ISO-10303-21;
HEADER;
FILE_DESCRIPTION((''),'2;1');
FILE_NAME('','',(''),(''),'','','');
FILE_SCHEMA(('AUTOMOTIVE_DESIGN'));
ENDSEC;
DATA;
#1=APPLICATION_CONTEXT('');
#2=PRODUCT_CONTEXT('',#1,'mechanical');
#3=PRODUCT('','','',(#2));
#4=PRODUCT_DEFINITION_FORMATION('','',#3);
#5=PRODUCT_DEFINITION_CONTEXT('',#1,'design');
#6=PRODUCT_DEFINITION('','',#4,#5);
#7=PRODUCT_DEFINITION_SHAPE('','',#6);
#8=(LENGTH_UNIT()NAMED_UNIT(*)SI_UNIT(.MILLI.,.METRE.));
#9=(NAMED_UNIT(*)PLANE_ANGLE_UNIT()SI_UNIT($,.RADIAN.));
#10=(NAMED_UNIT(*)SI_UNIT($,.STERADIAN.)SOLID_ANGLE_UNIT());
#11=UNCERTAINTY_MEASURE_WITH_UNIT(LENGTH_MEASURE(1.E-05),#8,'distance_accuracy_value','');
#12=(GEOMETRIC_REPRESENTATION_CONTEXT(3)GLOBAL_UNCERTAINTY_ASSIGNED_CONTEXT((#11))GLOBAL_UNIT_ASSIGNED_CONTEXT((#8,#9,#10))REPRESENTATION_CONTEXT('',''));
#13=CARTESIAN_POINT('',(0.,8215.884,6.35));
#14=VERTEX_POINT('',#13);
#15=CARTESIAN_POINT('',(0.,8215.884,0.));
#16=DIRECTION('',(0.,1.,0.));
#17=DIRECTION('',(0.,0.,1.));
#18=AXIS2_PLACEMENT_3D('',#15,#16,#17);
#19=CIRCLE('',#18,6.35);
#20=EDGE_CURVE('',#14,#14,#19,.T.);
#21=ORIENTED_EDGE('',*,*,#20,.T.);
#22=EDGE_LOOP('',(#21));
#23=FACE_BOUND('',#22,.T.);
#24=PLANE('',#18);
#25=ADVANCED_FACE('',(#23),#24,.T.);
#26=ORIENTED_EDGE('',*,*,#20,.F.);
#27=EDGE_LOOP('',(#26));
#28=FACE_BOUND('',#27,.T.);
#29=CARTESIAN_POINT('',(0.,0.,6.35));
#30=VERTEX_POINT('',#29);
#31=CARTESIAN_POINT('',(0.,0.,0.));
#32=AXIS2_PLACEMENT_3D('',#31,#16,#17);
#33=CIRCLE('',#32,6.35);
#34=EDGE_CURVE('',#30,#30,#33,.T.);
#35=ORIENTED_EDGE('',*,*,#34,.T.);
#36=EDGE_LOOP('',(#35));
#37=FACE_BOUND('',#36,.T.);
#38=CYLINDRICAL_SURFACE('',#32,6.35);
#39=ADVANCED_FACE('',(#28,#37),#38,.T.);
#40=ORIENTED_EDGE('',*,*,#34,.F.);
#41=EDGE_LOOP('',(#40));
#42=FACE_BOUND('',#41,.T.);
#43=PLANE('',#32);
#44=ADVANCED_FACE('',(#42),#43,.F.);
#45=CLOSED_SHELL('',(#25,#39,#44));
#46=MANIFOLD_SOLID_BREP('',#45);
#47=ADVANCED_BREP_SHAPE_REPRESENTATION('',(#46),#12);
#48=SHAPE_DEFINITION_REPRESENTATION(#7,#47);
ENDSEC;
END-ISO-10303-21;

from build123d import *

# Parameters (mm, degrees)
SWEEP1_PROFILE_R = 6.35


with BuildPart() as part:
    # Sweep1: sweep along a path in Sketch1
    with BuildLine(Plane.XY) as sweep1_path:
        Line((0, 0), (0, 8215.884))
    # Sweep1 profile (on start of the path) → Sweep1 (sweep)
    with BuildSketch(Plane.ZX):
        Circle(SWEEP1_PROFILE_R)
    sweep(path=sweep1_path.line)


solid = part.part
